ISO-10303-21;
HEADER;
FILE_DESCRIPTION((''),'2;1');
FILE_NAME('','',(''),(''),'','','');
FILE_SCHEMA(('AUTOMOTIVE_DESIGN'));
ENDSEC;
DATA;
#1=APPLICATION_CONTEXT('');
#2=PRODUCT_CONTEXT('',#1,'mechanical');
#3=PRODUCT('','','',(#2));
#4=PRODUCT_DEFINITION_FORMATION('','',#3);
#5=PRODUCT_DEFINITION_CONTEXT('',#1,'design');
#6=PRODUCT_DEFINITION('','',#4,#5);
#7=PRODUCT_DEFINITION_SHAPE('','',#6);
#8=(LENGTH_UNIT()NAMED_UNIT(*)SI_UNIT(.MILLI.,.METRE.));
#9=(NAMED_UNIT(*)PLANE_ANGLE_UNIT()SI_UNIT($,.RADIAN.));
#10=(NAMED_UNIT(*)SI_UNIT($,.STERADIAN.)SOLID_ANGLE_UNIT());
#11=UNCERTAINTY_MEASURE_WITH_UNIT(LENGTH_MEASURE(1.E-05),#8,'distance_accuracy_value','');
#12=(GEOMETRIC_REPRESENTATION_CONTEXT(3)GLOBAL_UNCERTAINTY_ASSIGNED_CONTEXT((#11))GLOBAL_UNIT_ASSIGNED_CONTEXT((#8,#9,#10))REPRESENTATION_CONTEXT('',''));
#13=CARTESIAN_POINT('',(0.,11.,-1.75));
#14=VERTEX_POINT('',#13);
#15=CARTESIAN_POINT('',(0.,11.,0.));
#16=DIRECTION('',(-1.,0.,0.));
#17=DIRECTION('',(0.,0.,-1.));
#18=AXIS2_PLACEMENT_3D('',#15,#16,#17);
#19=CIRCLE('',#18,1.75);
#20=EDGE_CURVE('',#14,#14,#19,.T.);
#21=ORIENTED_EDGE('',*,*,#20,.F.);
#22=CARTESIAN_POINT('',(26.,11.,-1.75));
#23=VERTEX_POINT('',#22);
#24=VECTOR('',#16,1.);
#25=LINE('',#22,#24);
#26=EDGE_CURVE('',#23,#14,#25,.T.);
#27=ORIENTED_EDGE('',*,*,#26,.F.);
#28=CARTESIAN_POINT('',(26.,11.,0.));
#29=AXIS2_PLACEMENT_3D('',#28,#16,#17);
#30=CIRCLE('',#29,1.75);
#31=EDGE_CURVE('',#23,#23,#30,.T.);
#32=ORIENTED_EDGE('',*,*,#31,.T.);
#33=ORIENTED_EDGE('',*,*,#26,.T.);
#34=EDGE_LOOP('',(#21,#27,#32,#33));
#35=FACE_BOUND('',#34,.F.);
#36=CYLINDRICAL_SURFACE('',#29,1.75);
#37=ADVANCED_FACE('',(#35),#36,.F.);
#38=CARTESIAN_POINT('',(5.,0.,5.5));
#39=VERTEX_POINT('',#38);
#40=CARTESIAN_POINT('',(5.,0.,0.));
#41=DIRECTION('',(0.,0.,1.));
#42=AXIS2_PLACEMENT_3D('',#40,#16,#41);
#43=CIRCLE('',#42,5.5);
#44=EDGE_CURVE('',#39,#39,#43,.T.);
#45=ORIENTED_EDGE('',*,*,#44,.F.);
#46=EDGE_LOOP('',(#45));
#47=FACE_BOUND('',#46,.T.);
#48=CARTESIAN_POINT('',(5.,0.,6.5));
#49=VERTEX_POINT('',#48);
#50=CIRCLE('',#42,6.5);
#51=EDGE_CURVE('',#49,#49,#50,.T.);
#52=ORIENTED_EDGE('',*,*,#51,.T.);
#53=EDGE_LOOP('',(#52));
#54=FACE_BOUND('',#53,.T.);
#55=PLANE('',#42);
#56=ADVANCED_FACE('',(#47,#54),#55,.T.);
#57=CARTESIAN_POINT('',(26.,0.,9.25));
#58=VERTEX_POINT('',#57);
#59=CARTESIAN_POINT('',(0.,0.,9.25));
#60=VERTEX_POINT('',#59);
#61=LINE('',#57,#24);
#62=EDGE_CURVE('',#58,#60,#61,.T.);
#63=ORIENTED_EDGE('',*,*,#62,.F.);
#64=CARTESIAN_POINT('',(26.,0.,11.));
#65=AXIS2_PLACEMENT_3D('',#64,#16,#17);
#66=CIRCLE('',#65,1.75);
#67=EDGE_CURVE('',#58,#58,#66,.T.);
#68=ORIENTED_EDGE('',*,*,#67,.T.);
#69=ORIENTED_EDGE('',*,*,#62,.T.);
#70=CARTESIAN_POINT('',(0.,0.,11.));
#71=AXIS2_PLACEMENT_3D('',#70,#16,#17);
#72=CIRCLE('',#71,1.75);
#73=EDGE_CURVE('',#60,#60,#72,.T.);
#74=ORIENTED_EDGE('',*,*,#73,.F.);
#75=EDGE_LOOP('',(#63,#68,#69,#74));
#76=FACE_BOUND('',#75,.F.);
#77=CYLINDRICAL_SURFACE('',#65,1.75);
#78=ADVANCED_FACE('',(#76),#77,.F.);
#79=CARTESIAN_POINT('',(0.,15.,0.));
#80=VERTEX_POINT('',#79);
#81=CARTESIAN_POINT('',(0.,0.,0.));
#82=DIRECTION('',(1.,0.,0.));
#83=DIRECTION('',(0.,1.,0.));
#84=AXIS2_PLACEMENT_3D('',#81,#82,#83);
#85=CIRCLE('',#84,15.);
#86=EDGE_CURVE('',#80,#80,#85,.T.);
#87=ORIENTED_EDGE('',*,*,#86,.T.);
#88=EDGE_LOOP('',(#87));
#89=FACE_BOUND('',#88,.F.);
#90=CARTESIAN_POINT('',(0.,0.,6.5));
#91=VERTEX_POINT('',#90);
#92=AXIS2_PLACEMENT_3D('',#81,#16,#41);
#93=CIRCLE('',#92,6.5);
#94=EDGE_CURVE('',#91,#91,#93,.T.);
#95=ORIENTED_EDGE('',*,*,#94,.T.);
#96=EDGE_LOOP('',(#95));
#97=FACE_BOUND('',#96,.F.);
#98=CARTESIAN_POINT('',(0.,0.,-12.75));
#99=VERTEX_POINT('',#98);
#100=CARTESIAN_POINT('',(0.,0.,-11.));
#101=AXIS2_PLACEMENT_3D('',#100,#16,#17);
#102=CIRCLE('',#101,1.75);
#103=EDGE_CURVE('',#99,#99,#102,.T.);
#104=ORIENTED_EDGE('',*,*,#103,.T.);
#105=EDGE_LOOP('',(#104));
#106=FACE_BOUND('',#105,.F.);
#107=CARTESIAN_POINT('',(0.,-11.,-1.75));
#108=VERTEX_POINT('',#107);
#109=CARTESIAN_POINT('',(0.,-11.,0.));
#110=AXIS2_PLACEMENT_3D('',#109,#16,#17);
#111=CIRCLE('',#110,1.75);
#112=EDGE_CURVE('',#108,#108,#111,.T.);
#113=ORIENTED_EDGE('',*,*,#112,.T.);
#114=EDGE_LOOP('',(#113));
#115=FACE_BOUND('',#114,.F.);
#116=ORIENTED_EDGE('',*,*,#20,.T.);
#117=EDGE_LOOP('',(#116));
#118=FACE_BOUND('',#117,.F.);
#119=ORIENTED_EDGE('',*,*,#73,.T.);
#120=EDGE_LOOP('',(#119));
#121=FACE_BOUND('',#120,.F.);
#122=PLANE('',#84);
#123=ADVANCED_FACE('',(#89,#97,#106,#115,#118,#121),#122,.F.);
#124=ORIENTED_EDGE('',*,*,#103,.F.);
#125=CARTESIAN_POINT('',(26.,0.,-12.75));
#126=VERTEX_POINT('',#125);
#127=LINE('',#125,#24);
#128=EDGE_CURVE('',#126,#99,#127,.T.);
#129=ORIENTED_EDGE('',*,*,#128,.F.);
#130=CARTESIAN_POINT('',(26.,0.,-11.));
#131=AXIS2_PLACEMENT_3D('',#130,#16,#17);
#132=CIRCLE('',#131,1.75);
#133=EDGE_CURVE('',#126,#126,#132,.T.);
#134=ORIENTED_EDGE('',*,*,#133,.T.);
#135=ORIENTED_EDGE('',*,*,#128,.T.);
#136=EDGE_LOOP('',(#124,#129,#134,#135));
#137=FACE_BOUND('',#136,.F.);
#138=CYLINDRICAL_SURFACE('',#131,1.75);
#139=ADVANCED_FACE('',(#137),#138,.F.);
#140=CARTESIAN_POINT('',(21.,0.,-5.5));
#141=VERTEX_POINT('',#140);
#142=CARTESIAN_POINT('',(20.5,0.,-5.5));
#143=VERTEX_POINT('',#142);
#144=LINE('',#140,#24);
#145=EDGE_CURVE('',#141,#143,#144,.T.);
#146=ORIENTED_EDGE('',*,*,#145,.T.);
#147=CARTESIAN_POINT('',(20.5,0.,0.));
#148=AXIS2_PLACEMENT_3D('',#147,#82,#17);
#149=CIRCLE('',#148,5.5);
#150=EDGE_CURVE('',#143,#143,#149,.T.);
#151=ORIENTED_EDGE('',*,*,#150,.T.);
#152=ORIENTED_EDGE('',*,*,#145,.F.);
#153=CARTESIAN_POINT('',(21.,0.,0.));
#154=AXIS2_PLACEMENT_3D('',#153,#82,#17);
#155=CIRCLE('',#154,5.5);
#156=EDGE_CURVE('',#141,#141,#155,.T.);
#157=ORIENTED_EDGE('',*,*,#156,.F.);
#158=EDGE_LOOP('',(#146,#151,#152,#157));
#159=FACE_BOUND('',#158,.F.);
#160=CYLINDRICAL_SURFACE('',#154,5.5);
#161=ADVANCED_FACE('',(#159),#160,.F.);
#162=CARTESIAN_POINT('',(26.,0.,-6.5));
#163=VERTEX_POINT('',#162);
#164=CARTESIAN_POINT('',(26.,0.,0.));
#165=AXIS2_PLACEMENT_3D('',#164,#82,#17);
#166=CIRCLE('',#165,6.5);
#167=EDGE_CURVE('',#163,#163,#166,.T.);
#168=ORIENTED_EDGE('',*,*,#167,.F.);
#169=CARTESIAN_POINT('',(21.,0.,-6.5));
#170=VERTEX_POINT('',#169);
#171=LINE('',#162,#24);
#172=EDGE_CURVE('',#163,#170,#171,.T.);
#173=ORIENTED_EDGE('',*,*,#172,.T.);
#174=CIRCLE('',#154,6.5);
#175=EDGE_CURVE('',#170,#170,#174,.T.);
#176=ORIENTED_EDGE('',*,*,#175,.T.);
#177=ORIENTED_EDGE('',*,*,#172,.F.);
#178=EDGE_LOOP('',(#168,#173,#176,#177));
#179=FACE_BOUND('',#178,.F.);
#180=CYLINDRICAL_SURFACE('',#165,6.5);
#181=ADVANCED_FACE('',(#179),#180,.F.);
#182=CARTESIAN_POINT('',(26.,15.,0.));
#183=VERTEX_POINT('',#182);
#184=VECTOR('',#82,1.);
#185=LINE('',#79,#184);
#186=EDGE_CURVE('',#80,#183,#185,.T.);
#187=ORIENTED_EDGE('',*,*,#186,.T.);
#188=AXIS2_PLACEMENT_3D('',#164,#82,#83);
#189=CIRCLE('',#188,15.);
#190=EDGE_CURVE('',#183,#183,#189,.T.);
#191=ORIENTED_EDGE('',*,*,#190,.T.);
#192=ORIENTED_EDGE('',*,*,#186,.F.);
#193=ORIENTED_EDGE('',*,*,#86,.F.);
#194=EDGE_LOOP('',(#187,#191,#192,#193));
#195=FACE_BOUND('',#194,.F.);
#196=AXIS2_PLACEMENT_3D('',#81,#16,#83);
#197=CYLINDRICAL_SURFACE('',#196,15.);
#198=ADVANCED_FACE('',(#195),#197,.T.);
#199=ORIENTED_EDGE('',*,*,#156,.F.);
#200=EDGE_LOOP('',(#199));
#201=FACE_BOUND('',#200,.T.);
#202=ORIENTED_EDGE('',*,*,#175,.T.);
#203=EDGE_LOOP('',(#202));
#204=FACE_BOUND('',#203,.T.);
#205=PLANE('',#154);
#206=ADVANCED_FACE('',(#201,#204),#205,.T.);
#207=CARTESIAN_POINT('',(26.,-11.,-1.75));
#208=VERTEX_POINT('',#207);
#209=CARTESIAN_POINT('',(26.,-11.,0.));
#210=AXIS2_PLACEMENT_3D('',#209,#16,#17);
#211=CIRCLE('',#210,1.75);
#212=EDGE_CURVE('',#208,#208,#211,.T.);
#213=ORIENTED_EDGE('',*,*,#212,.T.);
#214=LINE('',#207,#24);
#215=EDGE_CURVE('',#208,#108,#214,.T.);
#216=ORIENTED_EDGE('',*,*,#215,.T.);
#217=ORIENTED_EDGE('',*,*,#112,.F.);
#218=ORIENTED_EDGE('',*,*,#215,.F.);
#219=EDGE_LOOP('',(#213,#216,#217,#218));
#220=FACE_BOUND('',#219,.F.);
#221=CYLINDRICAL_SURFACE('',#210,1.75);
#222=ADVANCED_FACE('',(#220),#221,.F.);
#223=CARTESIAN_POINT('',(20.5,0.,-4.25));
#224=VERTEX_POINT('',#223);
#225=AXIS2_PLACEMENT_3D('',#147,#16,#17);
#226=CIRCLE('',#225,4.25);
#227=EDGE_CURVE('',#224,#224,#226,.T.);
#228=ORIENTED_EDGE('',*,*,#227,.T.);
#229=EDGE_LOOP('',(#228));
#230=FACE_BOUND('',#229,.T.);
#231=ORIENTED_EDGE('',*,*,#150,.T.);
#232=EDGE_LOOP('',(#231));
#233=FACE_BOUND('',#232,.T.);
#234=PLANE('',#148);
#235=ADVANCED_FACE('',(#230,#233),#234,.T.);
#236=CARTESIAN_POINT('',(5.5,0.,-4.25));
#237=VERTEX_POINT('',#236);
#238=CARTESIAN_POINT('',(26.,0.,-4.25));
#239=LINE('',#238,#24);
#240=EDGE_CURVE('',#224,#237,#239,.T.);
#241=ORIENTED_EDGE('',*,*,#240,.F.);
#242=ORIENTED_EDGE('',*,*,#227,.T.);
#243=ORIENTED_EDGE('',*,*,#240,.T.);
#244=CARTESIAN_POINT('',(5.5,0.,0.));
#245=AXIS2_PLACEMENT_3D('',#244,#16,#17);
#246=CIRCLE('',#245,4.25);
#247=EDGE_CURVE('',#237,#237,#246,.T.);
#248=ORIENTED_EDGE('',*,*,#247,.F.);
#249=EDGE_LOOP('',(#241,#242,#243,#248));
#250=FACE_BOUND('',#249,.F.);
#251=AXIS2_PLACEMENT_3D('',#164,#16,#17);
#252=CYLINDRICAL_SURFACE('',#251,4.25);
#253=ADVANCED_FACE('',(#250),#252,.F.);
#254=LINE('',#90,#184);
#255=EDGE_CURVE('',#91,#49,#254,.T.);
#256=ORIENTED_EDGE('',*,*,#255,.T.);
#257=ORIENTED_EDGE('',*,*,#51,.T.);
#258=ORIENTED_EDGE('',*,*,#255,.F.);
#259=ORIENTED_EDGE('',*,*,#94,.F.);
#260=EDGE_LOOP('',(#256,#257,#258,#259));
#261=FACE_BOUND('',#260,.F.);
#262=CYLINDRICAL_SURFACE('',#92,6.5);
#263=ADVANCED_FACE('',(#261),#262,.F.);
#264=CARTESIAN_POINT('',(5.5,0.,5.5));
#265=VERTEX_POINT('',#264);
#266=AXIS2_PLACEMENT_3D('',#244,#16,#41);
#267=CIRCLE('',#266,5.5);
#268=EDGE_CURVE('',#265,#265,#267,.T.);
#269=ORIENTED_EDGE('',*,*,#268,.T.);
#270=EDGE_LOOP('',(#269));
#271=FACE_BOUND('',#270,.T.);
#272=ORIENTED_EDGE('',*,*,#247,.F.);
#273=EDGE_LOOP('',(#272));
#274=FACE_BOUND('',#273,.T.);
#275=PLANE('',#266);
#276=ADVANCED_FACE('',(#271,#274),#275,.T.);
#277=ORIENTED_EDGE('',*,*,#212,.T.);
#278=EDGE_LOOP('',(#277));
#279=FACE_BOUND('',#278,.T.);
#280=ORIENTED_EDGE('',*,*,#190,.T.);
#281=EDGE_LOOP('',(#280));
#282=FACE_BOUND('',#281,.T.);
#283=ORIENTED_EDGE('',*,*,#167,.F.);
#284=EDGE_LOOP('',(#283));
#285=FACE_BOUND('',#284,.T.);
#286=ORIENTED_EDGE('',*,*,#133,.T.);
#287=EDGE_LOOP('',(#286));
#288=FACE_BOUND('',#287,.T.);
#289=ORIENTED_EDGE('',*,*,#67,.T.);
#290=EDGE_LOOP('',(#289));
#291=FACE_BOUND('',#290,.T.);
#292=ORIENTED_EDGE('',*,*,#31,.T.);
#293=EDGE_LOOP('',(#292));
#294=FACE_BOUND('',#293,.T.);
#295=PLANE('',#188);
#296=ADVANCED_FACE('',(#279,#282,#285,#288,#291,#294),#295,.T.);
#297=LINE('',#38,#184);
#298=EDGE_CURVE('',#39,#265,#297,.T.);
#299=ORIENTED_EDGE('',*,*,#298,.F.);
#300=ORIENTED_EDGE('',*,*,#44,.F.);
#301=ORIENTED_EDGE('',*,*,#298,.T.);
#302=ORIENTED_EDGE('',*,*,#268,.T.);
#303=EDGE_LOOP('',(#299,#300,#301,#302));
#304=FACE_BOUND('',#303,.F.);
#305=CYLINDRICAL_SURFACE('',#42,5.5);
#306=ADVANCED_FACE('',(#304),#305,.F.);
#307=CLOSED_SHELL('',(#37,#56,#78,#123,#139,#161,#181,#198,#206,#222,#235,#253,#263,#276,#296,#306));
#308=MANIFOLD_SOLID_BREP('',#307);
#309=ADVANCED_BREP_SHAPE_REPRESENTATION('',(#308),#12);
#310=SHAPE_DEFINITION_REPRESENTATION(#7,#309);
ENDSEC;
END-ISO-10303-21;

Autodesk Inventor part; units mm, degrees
ref_plane "YZ Plane" through (0, 0, 0) normal (1, 0, 0) x (0, 1, 0)
sketch "Szkic1" plane through (0, 0, 0) normal (1, 0, 0) x (0, 1, 0)
  circle A0 centre (0, 0) radius 15
  dimension "d0" = 30
extrude "Wyciągnięcie proste1" add sketch "Szkic1" along normal blind 26
sketch "Szkic2" plane through (26, 0, 0) normal (1, 0, 0) x (0, 0, -1)
  point P0 (0, 0)
  point P1 (0, 0)
hole "Otwór1" at (26, 0, 0) direction (-1, 0, 0) diameter 8.5 end through all
sketch "Szkic3" plane through (26, 0, 0) normal (1, 0, 0) x (0, 0, -1)
  point P0 (0, 0)
  point P1 (11, 0)
  point P2 (0, 11)
  point P3 (-11, 0)
  point P4 (0, -11)
  dimension "d10" = 11
  dimension "d13" = 360
hole "Otwór2" at (26, 0, -11) at (26, 11, 0) at (26, 0, 11) at (26, -11, 0) direction (-1, 0, 0) diameter 3.5 depth 26 tip angle 118
sketch "Szkic4" plane through (26, 0, 0) normal (1, 0, 0) x (0, 0, -1)
  line L0 (0, 0) -> (-10.6066, 10.6066)
  line L1 (0, 0) -> (15, 0) construction
  line L2 (0, 0) -> (10.6066, 10.6066)
  line L3 (0, 0) -> (15, 0) construction
  dimension "d22" = 15
  dimension "d23" = 135
  dimension "d24" = 15
  dimension "d25" = 45
ref_plane "Płaszczyzna konstrukcyjna1" through (26, 10.6066, 10.6066) normal (0, 0.7071, 0.7071) x (-1, 0, 0)
ref_plane "Płaszczyzna konstrukcyjna2" through (26, 10.6066, -10.6066) normal (0, 0.7071, -0.7071) x (-1, 0, 0)
sketch "Szkic7" plane through (0, 0, 0) normal (-1, 0, 0) x (0, 0, 1)
  circle A0 centre (0, 0) radius 6.5
  dimension "d42" = 13
extrude "Wyciągnięcie proste2" cut sketch "Szkic7" against normal blind 5
sketch "Szkic13" plane through (5, 0, 0) normal (-1, 0, 0) x (0, 0, 1)
  circle A0 centre (0, 0) radius 5.5
  dimension "d80" = 11
extrude "Wyciągnięcie proste5" cut sketch "Szkic13" against normal blind 0.5
sketch "Szkic14" plane through (26, 0, 0) normal (1, 0, 0) x (0, 0, -1)
  circle A0 centre (0, 0) radius 6.5
  dimension "d83" = 13
extrude "Wyciągnięcie proste6" cut sketch "Szkic14" against normal blind 5
sketch "Szkic15" plane through (21, 0, 0) normal (1, 0, 0) x (0, 0, -1)
  circle A0 centre (0, 0) radius 5.5
  dimension "d86" = 11
extrude "Wyciągnięcie proste7" cut sketch "Szkic15" against normal blind 0.5
equation "\"d0\" = radius"
equation "\"d16\" = d1"
equation "\"d20\" = d1"
equation "\"d22\" = 0.5 * radius"
equation "\"d24\" = d22"
equation "\"radius\" = 30"
equation "\"d1\" = 26"
properties part number "piasta_kola_przedniego_fi8" material "Aluminum 6061"
